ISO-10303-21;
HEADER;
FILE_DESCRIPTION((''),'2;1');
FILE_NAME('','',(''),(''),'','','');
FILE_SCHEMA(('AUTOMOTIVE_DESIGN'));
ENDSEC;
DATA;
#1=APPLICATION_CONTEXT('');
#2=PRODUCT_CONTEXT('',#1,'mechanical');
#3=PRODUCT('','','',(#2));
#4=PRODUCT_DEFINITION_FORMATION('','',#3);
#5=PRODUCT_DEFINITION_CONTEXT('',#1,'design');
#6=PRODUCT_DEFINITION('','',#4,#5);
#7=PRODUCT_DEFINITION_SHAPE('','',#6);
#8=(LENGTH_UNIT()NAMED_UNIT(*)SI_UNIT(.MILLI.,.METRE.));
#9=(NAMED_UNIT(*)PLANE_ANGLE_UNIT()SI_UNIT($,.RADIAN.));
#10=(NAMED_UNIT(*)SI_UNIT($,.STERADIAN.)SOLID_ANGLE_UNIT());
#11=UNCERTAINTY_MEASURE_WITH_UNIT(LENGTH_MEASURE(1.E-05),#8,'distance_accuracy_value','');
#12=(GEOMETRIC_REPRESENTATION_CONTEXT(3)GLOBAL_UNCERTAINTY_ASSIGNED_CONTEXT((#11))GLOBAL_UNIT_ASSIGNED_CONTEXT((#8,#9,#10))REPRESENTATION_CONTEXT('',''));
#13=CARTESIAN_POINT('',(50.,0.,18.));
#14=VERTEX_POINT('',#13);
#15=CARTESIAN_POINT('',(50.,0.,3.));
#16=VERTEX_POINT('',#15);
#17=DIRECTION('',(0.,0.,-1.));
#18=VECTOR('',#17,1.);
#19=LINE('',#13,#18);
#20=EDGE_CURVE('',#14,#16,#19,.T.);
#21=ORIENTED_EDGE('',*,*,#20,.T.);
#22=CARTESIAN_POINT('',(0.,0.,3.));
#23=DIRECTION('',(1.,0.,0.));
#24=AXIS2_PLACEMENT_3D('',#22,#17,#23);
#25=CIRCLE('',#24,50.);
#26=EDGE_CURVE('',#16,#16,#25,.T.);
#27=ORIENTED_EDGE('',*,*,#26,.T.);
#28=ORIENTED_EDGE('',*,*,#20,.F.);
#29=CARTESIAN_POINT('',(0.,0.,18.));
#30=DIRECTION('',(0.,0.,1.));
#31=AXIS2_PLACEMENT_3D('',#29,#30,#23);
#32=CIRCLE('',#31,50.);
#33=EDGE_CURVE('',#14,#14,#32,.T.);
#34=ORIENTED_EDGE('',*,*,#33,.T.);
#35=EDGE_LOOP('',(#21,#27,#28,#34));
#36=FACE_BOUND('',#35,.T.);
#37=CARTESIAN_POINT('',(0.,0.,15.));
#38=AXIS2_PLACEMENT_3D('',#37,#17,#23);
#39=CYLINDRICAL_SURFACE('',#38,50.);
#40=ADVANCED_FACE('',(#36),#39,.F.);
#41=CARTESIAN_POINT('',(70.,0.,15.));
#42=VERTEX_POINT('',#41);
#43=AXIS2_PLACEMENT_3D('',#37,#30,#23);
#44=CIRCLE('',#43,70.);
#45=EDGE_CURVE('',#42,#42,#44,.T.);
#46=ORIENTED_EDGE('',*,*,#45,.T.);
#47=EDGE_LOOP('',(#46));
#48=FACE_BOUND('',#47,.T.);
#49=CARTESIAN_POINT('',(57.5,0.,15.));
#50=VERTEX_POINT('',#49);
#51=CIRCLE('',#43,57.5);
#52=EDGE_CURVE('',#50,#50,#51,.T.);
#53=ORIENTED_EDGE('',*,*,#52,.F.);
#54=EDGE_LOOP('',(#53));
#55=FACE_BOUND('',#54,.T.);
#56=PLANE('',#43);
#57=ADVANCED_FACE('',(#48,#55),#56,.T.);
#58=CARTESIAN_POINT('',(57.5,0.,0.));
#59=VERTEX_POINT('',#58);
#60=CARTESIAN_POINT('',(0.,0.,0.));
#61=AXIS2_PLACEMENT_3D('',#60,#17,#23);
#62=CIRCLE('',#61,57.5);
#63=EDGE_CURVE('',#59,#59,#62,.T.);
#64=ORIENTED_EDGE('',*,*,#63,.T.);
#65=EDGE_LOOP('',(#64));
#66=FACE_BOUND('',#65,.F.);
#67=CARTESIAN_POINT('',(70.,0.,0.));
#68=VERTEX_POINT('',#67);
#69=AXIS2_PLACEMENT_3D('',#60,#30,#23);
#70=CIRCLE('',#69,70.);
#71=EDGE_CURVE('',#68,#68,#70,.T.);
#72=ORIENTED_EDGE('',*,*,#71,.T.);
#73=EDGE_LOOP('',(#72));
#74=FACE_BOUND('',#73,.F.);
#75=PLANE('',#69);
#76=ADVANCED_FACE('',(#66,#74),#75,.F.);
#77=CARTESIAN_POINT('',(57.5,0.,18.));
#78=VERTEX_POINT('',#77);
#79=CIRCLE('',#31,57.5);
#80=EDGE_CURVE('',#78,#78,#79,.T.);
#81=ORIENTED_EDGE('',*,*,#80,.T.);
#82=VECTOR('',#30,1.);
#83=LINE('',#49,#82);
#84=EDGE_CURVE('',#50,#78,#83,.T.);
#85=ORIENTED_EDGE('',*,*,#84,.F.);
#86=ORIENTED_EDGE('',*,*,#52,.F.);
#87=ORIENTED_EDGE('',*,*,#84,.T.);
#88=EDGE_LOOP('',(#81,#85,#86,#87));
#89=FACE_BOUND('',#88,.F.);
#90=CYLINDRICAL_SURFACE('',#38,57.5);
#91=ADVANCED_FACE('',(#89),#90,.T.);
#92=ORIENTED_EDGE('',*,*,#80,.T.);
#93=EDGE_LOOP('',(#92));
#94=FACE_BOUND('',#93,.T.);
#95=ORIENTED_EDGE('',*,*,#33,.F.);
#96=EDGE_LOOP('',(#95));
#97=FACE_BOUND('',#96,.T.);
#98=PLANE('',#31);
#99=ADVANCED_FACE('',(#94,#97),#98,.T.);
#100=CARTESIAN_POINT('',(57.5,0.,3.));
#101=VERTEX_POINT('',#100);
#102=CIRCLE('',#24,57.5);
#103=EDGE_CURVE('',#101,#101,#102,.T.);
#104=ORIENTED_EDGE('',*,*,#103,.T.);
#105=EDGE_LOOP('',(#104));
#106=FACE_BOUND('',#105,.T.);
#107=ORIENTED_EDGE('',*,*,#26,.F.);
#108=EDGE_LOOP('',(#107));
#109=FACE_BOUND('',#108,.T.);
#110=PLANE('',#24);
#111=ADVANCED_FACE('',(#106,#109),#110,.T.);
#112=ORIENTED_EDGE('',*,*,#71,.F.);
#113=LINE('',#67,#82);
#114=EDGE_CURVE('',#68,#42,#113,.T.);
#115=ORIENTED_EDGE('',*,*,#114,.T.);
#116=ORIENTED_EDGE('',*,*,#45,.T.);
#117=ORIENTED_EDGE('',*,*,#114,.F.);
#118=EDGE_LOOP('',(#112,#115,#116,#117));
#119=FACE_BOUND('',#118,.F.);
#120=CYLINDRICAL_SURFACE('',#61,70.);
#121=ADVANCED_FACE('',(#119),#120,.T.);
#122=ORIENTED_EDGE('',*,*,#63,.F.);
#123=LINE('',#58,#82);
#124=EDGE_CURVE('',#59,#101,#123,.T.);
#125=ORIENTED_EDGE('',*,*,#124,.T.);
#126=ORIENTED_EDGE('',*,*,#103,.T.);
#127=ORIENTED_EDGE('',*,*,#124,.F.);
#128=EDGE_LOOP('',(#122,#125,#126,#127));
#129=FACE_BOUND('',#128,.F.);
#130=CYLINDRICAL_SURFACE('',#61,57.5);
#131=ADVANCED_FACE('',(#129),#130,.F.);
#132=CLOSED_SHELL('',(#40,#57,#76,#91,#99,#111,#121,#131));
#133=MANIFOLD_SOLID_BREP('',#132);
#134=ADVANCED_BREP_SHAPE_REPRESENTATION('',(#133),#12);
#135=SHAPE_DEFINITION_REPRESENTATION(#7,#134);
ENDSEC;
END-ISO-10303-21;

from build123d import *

# Parameters (mm, degrees)
F0_R     = 70
F0_R_2   = 50
F1_DEPTH = 15
F3_R     = 57.5
F3_R_2   = 50
F4_DEPTH = 3
F5_R     = 57.5
F5_R_2   = 50
F6_DEPTH = 3


with BuildPart() as f1:
    # F0 (on Top) → F1 (new body)
    with BuildSketch(Plane.XY):
        Circle(F0_R)
        Circle(F0_R_2, mode=Mode.SUBTRACT)
    extrude(amount=F1_DEPTH)

    # F3 (on face) → F4 (join)
    with BuildSketch(Plane.XY.offset(15)):
        Circle(F3_R)
        Circle(F3_R_2, mode=Mode.SUBTRACT)
    extrude(amount=F4_DEPTH)

    # F5 (on face) → F6 (cut)
    with BuildSketch(Plane(origin=(0, 0, 0), x_dir=(1, 0, 0), z_dir=(0, 0, -1))):
        Circle(F5_R)
        Circle(F5_R_2, mode=Mode.SUBTRACT)
    extrude(amount=-F6_DEPTH, mode=Mode.SUBTRACT)


solid = f1.part
